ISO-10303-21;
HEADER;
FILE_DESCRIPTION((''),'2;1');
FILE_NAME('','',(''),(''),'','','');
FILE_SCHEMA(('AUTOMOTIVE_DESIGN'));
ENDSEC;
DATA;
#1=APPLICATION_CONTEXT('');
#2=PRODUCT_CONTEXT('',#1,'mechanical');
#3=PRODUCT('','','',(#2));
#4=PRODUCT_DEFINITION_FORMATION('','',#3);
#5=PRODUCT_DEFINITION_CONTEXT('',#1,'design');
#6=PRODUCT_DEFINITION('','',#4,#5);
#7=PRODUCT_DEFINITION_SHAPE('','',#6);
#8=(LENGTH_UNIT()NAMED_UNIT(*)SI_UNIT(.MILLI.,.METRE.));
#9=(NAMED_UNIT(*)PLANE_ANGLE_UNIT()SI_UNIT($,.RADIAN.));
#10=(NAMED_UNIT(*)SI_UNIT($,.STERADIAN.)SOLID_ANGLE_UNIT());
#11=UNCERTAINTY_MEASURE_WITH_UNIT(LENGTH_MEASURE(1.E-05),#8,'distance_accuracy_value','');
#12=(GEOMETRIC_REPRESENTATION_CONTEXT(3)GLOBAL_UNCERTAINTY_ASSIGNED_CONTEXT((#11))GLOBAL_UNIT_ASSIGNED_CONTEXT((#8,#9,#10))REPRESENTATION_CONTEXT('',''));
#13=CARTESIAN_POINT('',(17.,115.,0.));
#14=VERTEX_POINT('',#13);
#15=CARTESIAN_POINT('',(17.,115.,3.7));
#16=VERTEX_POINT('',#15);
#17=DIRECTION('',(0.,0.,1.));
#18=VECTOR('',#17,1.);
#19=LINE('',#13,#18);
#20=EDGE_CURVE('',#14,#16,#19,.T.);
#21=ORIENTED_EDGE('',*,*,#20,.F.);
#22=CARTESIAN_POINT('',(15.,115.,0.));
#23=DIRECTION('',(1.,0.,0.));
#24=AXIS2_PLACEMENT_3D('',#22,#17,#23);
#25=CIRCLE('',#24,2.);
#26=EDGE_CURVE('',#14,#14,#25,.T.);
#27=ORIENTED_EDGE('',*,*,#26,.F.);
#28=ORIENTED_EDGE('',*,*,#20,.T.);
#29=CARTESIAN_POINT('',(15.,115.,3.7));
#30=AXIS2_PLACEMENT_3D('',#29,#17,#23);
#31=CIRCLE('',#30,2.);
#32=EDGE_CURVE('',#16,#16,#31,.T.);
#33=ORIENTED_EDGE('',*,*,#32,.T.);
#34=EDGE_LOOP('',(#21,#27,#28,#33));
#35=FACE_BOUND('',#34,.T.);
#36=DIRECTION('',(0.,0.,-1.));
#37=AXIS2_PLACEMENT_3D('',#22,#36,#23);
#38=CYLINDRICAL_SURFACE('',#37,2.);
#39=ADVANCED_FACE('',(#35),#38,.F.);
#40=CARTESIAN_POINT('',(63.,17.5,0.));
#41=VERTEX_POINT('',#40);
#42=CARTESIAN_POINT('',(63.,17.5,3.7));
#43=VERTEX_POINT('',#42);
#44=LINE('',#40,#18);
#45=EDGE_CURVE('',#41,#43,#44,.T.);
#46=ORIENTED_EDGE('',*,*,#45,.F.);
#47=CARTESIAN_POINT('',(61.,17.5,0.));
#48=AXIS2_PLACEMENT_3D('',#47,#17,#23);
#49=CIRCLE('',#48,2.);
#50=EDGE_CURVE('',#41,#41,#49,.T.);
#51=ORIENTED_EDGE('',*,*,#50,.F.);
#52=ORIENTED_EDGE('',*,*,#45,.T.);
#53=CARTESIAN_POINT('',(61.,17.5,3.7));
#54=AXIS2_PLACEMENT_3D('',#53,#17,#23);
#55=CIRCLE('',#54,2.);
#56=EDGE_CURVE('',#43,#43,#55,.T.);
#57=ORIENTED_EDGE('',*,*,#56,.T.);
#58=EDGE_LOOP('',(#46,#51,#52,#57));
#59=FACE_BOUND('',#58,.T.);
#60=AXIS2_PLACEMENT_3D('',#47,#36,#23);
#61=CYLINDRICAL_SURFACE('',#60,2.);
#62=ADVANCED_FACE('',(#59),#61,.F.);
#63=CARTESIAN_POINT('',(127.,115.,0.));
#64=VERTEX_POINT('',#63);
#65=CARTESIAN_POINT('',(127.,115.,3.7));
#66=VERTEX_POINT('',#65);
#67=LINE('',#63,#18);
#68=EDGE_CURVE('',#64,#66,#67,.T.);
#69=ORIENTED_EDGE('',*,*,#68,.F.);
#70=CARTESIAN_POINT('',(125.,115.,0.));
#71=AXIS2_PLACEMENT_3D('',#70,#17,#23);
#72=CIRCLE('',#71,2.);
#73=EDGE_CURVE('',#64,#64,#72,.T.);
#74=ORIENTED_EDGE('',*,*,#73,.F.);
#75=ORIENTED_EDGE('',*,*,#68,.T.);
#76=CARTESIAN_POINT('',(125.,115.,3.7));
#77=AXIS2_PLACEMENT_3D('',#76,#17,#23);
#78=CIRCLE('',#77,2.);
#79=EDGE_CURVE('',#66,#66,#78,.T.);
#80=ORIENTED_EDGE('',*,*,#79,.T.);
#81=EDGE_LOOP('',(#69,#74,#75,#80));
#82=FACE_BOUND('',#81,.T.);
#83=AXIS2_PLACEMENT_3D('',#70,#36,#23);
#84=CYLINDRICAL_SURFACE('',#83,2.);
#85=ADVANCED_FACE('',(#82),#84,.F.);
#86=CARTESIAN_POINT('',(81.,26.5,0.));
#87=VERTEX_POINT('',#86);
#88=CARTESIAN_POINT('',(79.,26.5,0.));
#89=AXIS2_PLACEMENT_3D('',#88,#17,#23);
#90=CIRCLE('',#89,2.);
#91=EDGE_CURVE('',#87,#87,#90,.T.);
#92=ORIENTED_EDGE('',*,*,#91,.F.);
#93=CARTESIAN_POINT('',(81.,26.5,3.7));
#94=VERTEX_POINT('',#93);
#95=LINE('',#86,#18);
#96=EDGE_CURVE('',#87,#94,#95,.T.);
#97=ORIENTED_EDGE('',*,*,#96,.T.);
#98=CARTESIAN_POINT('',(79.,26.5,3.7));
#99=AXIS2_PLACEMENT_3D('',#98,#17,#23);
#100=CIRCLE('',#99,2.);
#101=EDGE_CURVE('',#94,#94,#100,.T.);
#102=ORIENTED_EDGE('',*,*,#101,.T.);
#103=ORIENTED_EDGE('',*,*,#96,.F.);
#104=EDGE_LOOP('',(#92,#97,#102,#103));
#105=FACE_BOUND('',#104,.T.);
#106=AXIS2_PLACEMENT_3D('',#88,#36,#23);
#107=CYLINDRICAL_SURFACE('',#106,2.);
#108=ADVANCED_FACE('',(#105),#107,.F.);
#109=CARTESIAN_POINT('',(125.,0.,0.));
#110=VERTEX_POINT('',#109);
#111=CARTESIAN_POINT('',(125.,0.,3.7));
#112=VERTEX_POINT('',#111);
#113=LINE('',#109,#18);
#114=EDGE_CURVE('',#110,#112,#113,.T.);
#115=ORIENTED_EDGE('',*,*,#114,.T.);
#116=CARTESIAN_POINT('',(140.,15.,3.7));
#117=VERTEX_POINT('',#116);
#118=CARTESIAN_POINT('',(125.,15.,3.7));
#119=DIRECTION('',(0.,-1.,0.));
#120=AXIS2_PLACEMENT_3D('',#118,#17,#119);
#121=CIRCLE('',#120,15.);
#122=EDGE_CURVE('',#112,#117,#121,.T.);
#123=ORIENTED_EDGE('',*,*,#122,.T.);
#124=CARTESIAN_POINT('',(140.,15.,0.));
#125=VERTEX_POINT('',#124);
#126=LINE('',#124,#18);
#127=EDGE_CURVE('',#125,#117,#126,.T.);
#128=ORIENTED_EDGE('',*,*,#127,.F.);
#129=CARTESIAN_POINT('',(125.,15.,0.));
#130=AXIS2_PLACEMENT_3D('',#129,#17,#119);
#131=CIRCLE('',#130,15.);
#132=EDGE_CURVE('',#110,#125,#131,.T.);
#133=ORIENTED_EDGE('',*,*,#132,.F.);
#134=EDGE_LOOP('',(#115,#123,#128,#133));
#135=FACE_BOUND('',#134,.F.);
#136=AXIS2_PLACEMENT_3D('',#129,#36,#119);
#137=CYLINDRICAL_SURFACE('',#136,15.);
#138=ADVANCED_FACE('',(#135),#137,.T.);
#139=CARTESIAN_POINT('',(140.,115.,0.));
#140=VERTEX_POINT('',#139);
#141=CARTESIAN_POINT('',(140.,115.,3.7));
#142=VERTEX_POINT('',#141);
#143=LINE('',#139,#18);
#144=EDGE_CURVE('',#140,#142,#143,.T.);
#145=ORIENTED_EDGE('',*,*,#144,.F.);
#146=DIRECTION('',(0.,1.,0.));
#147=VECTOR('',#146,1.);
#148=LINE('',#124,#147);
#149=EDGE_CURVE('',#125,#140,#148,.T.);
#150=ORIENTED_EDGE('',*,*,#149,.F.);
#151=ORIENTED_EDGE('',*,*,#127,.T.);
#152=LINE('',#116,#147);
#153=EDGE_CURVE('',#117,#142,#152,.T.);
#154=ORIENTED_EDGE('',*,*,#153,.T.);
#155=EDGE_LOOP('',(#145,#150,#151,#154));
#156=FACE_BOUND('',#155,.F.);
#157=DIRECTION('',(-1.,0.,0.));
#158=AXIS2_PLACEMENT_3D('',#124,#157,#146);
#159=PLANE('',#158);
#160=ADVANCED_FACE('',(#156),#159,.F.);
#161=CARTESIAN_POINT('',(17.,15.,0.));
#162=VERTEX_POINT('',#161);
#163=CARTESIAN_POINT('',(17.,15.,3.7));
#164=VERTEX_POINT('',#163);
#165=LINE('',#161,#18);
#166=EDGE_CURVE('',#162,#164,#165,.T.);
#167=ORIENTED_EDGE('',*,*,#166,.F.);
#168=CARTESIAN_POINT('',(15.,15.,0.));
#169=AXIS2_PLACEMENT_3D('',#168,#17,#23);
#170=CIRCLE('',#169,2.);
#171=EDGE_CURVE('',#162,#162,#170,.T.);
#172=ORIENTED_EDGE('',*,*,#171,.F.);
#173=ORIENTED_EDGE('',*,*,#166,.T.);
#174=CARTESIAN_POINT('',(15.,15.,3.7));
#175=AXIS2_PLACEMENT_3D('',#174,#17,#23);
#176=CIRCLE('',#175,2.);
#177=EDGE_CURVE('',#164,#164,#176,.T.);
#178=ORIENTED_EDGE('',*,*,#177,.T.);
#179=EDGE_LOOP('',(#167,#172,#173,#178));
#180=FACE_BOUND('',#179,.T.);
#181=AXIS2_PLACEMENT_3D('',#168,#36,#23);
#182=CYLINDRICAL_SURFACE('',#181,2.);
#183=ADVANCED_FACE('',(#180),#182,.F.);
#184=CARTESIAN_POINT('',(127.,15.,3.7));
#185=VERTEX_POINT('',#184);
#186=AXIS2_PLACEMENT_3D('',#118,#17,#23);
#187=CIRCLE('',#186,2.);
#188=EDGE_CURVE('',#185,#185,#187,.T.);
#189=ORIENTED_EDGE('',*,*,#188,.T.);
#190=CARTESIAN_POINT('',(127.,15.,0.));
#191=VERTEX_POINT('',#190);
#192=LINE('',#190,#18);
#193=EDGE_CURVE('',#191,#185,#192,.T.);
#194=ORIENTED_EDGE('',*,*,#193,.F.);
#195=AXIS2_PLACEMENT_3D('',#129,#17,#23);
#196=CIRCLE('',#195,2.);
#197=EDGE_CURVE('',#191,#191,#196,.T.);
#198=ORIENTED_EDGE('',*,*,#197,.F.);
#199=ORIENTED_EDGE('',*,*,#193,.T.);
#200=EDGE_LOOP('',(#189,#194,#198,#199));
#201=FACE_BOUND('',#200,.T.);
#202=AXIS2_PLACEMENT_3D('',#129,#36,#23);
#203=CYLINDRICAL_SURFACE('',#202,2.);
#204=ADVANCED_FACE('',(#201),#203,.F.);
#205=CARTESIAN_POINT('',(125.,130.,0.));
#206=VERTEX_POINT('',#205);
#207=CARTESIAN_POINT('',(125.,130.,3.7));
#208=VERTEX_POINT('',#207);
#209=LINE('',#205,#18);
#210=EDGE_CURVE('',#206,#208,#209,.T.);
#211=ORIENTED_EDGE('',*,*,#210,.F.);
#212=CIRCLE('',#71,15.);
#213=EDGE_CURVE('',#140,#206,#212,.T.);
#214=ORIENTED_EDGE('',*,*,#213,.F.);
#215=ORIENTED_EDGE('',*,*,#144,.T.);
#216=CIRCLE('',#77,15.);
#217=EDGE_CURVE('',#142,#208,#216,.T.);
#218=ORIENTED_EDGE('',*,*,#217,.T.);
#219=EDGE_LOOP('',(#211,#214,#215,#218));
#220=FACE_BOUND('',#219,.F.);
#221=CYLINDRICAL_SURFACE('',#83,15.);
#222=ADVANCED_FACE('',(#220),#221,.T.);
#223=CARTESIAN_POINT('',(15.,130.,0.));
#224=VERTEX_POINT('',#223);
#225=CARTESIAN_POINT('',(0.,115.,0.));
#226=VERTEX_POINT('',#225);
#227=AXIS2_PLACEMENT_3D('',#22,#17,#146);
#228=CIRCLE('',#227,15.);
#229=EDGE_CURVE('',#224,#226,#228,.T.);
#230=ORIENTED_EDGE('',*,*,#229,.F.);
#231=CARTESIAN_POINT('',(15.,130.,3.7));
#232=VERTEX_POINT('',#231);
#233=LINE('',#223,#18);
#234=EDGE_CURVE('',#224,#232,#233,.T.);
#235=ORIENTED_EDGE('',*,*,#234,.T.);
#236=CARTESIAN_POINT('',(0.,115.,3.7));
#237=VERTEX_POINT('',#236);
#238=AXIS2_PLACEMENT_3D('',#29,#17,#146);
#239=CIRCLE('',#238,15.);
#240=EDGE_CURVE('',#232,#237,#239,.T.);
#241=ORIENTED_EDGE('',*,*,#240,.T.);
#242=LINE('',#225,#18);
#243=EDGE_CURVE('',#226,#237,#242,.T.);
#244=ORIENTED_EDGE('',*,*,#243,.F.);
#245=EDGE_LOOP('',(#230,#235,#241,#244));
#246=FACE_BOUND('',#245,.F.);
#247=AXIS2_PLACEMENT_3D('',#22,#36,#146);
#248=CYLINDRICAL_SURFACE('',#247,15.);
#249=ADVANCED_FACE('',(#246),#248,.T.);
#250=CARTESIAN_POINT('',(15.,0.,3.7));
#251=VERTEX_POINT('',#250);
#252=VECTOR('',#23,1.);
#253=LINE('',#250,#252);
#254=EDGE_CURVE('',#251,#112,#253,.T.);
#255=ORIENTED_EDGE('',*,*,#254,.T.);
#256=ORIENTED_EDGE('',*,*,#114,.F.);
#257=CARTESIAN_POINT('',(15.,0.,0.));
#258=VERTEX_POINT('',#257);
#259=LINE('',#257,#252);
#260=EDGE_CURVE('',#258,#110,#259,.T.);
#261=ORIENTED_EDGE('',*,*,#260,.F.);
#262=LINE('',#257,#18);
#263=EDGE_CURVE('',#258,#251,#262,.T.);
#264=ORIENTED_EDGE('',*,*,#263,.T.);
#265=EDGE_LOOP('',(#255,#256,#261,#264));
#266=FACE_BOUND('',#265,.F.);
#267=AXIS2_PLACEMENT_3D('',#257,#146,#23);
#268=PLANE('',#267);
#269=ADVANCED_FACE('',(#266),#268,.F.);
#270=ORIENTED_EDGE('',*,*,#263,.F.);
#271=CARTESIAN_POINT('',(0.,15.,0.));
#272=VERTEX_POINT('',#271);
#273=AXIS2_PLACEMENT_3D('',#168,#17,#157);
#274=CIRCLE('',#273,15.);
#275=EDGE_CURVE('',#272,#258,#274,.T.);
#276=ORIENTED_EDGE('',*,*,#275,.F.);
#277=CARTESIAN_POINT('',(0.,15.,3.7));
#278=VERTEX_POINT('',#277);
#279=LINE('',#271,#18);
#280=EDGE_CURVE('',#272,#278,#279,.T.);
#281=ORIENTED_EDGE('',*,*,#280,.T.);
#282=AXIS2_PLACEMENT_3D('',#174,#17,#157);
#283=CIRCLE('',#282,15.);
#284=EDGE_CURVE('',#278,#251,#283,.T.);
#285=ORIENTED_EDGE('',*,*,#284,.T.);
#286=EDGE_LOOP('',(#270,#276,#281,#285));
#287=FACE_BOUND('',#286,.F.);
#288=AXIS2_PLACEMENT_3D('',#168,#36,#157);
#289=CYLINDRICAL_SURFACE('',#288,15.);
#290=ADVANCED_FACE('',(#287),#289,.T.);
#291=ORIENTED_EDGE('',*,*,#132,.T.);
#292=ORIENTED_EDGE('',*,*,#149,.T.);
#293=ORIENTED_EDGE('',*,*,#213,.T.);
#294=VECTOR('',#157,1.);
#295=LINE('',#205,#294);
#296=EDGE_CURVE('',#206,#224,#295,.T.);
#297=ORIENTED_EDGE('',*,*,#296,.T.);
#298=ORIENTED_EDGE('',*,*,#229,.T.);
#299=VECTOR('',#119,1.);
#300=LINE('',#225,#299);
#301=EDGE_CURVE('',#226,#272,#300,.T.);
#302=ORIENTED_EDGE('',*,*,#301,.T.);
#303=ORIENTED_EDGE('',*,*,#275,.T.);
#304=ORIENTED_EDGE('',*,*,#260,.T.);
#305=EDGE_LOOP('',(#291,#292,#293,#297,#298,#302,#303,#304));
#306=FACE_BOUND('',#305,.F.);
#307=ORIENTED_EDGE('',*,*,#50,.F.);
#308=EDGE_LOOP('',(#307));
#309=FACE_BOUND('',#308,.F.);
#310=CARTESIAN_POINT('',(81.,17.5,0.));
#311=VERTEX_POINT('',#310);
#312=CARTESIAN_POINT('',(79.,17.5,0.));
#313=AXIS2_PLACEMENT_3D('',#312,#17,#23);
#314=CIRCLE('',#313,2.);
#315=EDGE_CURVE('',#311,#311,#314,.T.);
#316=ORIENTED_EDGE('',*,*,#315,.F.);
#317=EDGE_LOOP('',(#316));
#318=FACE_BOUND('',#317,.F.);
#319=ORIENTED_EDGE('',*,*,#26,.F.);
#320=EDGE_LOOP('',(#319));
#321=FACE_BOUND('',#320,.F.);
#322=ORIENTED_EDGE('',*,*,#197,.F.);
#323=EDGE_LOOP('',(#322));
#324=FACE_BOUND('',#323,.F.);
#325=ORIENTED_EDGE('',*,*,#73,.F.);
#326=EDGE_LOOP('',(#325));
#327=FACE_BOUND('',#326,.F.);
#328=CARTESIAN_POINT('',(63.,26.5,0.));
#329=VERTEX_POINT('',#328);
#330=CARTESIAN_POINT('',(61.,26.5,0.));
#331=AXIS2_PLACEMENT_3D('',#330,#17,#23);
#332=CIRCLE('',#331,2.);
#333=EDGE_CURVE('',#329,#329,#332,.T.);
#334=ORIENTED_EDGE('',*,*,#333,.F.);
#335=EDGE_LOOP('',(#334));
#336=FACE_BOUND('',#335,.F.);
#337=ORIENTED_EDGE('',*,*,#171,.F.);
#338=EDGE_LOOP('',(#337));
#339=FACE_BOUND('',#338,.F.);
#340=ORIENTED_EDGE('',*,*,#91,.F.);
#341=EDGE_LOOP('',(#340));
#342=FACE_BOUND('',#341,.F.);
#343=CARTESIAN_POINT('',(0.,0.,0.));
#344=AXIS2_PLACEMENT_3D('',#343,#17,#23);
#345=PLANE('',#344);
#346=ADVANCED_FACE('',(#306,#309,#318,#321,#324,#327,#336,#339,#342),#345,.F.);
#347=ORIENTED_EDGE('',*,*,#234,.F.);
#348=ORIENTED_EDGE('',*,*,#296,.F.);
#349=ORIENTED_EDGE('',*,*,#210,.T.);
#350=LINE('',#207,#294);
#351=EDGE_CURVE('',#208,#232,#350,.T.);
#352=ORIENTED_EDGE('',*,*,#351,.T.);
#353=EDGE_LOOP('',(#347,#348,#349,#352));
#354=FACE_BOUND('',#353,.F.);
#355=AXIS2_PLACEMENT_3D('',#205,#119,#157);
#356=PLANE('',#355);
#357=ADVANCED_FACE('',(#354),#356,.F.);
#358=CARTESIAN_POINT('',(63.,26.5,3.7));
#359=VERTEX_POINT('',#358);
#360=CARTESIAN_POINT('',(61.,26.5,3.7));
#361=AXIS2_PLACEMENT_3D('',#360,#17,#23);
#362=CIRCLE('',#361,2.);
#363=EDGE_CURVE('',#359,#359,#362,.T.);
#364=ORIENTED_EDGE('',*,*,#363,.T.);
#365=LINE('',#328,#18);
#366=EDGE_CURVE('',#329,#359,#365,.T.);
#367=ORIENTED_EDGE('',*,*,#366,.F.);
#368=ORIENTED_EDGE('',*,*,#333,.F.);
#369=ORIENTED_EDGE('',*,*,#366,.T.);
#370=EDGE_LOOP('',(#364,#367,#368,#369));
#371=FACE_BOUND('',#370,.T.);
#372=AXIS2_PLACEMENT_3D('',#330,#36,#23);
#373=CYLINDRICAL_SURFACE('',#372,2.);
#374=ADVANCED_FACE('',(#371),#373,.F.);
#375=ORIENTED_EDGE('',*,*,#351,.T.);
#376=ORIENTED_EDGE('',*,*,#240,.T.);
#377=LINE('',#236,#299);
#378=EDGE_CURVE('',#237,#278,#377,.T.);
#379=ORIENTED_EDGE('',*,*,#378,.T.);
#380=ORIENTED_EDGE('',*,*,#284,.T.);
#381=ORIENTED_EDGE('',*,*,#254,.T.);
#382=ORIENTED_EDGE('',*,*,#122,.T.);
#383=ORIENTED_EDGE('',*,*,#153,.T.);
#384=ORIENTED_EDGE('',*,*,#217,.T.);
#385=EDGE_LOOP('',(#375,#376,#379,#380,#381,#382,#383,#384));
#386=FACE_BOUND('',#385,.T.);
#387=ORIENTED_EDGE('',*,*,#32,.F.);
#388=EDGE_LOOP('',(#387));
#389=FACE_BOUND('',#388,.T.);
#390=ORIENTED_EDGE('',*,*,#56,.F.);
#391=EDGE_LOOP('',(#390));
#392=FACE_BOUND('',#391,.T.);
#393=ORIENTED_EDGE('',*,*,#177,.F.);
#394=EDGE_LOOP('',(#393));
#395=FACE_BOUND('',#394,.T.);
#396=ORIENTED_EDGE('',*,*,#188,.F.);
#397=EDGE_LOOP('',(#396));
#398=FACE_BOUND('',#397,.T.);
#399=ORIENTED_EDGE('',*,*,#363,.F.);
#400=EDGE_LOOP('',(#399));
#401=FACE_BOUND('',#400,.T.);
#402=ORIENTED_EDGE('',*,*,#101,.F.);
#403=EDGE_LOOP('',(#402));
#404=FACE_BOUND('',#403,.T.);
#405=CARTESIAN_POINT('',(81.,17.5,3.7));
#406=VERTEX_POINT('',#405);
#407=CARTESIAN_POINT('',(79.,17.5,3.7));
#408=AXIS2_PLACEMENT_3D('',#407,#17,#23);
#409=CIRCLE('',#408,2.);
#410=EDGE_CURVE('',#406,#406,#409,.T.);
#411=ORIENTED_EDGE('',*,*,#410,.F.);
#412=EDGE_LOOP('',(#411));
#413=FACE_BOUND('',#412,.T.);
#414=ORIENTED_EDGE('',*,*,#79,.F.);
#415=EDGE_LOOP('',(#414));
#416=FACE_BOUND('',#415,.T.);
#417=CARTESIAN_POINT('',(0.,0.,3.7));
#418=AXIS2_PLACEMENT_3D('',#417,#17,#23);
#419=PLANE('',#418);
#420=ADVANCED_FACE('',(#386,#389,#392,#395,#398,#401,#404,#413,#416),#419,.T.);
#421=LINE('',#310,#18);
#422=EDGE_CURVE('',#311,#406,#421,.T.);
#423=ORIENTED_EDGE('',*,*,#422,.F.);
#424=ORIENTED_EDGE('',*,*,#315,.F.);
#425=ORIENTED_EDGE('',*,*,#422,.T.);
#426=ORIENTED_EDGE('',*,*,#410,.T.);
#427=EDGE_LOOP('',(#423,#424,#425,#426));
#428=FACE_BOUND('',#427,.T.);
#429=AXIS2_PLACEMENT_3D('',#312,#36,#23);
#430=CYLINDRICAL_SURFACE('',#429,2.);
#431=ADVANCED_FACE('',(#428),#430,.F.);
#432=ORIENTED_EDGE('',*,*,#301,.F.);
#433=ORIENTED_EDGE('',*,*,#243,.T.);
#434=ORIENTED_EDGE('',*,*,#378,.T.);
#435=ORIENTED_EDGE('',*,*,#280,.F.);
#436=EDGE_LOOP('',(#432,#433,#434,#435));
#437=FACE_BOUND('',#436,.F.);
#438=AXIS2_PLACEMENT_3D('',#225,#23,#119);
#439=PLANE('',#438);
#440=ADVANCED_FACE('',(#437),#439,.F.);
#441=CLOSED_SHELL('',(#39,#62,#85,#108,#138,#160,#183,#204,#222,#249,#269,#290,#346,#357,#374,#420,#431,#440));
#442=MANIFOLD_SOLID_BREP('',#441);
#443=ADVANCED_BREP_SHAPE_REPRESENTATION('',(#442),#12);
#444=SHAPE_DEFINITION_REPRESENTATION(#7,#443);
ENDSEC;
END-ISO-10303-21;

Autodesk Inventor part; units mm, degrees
ref_plane "YZ Plane" through (0, 0, 0) normal (1, 0, 0) x (0, 1, 0)
ref_plane "XZ Plane" through (0, 0, 0) normal (0, 1, 0) x (-1, 0, 0)
ref_plane "XY Plane" through (0, 0, 0) normal (0, 0, 1) x (1, 0, 0)
sketch "Sketch1" plane through (0, 0, 0) normal (0, 0, 1) x (1, 0, 0)
  line L0 (15, 0) -> (125, 0)
  line L1 (140, 15) -> (140, 115)
  line L2 (125, 130) -> (15, 130)
  line L3 (0, 115) -> (0, 15)
  arc A0 (15, 130) -> (0, 115) centre (15, 115) ccw
  arc A1 (140, 115) -> (125, 130) centre (125, 115) ccw
  arc A2 (125, 0) -> (140, 15) centre (125, 15) ccw
  arc A3 (0, 15) -> (15, 0) centre (15, 15) ccw
  circle A4 centre (15, 115) radius 2
  circle A5 centre (125, 115) radius 2
  circle A6 centre (15, 15) radius 2
  circle A7 centre (125, 15) radius 2
  line L4 (61, 17.5) -> (79, 17.5) construction
  line L5 (79, 17.5) -> (79, 26.5) construction
  line L6 (79, 26.5) -> (61, 26.5) construction
  line L7 (61, 26.5) -> (61, 17.5) construction
  line L8 (61, 17.5) -> (79, 26.5) construction
  line L9 (79, 17.5) -> (61, 26.5) construction
  line L10 (70, 0) -> (70, 130) construction
  circle A8 centre (61, 26.5) radius 2
  circle A9 centre (61, 17.5) radius 2
  circle A10 centre (79, 26.5) radius 2
  circle A11 centre (79, 17.5) radius 2
  point P0 (0, 0)
  point P1 (140, 130)
  point P2 (140, 0)
  point P3 (0, 130)
  point P4 (70, 22)
  point P5 (70, 17.5)
  dimension "d0" = 140
  dimension "d1" = 130
  dimension "d2" = 15
  dimension "d3" = 4
  dimension "d4" = 4
  dimension "d5" = 4
  dimension "d6" = 4
  dimension "d7" = 18
  dimension "d8" = 9
  dimension "d9" = 17.5
  dimension "d11" = 4
  dimension "d12" = 4
extrude "Extrusion1" add sketch "Sketch1" along normal blind 3.7
properties part number "Base" material "PMMA Plastic"
